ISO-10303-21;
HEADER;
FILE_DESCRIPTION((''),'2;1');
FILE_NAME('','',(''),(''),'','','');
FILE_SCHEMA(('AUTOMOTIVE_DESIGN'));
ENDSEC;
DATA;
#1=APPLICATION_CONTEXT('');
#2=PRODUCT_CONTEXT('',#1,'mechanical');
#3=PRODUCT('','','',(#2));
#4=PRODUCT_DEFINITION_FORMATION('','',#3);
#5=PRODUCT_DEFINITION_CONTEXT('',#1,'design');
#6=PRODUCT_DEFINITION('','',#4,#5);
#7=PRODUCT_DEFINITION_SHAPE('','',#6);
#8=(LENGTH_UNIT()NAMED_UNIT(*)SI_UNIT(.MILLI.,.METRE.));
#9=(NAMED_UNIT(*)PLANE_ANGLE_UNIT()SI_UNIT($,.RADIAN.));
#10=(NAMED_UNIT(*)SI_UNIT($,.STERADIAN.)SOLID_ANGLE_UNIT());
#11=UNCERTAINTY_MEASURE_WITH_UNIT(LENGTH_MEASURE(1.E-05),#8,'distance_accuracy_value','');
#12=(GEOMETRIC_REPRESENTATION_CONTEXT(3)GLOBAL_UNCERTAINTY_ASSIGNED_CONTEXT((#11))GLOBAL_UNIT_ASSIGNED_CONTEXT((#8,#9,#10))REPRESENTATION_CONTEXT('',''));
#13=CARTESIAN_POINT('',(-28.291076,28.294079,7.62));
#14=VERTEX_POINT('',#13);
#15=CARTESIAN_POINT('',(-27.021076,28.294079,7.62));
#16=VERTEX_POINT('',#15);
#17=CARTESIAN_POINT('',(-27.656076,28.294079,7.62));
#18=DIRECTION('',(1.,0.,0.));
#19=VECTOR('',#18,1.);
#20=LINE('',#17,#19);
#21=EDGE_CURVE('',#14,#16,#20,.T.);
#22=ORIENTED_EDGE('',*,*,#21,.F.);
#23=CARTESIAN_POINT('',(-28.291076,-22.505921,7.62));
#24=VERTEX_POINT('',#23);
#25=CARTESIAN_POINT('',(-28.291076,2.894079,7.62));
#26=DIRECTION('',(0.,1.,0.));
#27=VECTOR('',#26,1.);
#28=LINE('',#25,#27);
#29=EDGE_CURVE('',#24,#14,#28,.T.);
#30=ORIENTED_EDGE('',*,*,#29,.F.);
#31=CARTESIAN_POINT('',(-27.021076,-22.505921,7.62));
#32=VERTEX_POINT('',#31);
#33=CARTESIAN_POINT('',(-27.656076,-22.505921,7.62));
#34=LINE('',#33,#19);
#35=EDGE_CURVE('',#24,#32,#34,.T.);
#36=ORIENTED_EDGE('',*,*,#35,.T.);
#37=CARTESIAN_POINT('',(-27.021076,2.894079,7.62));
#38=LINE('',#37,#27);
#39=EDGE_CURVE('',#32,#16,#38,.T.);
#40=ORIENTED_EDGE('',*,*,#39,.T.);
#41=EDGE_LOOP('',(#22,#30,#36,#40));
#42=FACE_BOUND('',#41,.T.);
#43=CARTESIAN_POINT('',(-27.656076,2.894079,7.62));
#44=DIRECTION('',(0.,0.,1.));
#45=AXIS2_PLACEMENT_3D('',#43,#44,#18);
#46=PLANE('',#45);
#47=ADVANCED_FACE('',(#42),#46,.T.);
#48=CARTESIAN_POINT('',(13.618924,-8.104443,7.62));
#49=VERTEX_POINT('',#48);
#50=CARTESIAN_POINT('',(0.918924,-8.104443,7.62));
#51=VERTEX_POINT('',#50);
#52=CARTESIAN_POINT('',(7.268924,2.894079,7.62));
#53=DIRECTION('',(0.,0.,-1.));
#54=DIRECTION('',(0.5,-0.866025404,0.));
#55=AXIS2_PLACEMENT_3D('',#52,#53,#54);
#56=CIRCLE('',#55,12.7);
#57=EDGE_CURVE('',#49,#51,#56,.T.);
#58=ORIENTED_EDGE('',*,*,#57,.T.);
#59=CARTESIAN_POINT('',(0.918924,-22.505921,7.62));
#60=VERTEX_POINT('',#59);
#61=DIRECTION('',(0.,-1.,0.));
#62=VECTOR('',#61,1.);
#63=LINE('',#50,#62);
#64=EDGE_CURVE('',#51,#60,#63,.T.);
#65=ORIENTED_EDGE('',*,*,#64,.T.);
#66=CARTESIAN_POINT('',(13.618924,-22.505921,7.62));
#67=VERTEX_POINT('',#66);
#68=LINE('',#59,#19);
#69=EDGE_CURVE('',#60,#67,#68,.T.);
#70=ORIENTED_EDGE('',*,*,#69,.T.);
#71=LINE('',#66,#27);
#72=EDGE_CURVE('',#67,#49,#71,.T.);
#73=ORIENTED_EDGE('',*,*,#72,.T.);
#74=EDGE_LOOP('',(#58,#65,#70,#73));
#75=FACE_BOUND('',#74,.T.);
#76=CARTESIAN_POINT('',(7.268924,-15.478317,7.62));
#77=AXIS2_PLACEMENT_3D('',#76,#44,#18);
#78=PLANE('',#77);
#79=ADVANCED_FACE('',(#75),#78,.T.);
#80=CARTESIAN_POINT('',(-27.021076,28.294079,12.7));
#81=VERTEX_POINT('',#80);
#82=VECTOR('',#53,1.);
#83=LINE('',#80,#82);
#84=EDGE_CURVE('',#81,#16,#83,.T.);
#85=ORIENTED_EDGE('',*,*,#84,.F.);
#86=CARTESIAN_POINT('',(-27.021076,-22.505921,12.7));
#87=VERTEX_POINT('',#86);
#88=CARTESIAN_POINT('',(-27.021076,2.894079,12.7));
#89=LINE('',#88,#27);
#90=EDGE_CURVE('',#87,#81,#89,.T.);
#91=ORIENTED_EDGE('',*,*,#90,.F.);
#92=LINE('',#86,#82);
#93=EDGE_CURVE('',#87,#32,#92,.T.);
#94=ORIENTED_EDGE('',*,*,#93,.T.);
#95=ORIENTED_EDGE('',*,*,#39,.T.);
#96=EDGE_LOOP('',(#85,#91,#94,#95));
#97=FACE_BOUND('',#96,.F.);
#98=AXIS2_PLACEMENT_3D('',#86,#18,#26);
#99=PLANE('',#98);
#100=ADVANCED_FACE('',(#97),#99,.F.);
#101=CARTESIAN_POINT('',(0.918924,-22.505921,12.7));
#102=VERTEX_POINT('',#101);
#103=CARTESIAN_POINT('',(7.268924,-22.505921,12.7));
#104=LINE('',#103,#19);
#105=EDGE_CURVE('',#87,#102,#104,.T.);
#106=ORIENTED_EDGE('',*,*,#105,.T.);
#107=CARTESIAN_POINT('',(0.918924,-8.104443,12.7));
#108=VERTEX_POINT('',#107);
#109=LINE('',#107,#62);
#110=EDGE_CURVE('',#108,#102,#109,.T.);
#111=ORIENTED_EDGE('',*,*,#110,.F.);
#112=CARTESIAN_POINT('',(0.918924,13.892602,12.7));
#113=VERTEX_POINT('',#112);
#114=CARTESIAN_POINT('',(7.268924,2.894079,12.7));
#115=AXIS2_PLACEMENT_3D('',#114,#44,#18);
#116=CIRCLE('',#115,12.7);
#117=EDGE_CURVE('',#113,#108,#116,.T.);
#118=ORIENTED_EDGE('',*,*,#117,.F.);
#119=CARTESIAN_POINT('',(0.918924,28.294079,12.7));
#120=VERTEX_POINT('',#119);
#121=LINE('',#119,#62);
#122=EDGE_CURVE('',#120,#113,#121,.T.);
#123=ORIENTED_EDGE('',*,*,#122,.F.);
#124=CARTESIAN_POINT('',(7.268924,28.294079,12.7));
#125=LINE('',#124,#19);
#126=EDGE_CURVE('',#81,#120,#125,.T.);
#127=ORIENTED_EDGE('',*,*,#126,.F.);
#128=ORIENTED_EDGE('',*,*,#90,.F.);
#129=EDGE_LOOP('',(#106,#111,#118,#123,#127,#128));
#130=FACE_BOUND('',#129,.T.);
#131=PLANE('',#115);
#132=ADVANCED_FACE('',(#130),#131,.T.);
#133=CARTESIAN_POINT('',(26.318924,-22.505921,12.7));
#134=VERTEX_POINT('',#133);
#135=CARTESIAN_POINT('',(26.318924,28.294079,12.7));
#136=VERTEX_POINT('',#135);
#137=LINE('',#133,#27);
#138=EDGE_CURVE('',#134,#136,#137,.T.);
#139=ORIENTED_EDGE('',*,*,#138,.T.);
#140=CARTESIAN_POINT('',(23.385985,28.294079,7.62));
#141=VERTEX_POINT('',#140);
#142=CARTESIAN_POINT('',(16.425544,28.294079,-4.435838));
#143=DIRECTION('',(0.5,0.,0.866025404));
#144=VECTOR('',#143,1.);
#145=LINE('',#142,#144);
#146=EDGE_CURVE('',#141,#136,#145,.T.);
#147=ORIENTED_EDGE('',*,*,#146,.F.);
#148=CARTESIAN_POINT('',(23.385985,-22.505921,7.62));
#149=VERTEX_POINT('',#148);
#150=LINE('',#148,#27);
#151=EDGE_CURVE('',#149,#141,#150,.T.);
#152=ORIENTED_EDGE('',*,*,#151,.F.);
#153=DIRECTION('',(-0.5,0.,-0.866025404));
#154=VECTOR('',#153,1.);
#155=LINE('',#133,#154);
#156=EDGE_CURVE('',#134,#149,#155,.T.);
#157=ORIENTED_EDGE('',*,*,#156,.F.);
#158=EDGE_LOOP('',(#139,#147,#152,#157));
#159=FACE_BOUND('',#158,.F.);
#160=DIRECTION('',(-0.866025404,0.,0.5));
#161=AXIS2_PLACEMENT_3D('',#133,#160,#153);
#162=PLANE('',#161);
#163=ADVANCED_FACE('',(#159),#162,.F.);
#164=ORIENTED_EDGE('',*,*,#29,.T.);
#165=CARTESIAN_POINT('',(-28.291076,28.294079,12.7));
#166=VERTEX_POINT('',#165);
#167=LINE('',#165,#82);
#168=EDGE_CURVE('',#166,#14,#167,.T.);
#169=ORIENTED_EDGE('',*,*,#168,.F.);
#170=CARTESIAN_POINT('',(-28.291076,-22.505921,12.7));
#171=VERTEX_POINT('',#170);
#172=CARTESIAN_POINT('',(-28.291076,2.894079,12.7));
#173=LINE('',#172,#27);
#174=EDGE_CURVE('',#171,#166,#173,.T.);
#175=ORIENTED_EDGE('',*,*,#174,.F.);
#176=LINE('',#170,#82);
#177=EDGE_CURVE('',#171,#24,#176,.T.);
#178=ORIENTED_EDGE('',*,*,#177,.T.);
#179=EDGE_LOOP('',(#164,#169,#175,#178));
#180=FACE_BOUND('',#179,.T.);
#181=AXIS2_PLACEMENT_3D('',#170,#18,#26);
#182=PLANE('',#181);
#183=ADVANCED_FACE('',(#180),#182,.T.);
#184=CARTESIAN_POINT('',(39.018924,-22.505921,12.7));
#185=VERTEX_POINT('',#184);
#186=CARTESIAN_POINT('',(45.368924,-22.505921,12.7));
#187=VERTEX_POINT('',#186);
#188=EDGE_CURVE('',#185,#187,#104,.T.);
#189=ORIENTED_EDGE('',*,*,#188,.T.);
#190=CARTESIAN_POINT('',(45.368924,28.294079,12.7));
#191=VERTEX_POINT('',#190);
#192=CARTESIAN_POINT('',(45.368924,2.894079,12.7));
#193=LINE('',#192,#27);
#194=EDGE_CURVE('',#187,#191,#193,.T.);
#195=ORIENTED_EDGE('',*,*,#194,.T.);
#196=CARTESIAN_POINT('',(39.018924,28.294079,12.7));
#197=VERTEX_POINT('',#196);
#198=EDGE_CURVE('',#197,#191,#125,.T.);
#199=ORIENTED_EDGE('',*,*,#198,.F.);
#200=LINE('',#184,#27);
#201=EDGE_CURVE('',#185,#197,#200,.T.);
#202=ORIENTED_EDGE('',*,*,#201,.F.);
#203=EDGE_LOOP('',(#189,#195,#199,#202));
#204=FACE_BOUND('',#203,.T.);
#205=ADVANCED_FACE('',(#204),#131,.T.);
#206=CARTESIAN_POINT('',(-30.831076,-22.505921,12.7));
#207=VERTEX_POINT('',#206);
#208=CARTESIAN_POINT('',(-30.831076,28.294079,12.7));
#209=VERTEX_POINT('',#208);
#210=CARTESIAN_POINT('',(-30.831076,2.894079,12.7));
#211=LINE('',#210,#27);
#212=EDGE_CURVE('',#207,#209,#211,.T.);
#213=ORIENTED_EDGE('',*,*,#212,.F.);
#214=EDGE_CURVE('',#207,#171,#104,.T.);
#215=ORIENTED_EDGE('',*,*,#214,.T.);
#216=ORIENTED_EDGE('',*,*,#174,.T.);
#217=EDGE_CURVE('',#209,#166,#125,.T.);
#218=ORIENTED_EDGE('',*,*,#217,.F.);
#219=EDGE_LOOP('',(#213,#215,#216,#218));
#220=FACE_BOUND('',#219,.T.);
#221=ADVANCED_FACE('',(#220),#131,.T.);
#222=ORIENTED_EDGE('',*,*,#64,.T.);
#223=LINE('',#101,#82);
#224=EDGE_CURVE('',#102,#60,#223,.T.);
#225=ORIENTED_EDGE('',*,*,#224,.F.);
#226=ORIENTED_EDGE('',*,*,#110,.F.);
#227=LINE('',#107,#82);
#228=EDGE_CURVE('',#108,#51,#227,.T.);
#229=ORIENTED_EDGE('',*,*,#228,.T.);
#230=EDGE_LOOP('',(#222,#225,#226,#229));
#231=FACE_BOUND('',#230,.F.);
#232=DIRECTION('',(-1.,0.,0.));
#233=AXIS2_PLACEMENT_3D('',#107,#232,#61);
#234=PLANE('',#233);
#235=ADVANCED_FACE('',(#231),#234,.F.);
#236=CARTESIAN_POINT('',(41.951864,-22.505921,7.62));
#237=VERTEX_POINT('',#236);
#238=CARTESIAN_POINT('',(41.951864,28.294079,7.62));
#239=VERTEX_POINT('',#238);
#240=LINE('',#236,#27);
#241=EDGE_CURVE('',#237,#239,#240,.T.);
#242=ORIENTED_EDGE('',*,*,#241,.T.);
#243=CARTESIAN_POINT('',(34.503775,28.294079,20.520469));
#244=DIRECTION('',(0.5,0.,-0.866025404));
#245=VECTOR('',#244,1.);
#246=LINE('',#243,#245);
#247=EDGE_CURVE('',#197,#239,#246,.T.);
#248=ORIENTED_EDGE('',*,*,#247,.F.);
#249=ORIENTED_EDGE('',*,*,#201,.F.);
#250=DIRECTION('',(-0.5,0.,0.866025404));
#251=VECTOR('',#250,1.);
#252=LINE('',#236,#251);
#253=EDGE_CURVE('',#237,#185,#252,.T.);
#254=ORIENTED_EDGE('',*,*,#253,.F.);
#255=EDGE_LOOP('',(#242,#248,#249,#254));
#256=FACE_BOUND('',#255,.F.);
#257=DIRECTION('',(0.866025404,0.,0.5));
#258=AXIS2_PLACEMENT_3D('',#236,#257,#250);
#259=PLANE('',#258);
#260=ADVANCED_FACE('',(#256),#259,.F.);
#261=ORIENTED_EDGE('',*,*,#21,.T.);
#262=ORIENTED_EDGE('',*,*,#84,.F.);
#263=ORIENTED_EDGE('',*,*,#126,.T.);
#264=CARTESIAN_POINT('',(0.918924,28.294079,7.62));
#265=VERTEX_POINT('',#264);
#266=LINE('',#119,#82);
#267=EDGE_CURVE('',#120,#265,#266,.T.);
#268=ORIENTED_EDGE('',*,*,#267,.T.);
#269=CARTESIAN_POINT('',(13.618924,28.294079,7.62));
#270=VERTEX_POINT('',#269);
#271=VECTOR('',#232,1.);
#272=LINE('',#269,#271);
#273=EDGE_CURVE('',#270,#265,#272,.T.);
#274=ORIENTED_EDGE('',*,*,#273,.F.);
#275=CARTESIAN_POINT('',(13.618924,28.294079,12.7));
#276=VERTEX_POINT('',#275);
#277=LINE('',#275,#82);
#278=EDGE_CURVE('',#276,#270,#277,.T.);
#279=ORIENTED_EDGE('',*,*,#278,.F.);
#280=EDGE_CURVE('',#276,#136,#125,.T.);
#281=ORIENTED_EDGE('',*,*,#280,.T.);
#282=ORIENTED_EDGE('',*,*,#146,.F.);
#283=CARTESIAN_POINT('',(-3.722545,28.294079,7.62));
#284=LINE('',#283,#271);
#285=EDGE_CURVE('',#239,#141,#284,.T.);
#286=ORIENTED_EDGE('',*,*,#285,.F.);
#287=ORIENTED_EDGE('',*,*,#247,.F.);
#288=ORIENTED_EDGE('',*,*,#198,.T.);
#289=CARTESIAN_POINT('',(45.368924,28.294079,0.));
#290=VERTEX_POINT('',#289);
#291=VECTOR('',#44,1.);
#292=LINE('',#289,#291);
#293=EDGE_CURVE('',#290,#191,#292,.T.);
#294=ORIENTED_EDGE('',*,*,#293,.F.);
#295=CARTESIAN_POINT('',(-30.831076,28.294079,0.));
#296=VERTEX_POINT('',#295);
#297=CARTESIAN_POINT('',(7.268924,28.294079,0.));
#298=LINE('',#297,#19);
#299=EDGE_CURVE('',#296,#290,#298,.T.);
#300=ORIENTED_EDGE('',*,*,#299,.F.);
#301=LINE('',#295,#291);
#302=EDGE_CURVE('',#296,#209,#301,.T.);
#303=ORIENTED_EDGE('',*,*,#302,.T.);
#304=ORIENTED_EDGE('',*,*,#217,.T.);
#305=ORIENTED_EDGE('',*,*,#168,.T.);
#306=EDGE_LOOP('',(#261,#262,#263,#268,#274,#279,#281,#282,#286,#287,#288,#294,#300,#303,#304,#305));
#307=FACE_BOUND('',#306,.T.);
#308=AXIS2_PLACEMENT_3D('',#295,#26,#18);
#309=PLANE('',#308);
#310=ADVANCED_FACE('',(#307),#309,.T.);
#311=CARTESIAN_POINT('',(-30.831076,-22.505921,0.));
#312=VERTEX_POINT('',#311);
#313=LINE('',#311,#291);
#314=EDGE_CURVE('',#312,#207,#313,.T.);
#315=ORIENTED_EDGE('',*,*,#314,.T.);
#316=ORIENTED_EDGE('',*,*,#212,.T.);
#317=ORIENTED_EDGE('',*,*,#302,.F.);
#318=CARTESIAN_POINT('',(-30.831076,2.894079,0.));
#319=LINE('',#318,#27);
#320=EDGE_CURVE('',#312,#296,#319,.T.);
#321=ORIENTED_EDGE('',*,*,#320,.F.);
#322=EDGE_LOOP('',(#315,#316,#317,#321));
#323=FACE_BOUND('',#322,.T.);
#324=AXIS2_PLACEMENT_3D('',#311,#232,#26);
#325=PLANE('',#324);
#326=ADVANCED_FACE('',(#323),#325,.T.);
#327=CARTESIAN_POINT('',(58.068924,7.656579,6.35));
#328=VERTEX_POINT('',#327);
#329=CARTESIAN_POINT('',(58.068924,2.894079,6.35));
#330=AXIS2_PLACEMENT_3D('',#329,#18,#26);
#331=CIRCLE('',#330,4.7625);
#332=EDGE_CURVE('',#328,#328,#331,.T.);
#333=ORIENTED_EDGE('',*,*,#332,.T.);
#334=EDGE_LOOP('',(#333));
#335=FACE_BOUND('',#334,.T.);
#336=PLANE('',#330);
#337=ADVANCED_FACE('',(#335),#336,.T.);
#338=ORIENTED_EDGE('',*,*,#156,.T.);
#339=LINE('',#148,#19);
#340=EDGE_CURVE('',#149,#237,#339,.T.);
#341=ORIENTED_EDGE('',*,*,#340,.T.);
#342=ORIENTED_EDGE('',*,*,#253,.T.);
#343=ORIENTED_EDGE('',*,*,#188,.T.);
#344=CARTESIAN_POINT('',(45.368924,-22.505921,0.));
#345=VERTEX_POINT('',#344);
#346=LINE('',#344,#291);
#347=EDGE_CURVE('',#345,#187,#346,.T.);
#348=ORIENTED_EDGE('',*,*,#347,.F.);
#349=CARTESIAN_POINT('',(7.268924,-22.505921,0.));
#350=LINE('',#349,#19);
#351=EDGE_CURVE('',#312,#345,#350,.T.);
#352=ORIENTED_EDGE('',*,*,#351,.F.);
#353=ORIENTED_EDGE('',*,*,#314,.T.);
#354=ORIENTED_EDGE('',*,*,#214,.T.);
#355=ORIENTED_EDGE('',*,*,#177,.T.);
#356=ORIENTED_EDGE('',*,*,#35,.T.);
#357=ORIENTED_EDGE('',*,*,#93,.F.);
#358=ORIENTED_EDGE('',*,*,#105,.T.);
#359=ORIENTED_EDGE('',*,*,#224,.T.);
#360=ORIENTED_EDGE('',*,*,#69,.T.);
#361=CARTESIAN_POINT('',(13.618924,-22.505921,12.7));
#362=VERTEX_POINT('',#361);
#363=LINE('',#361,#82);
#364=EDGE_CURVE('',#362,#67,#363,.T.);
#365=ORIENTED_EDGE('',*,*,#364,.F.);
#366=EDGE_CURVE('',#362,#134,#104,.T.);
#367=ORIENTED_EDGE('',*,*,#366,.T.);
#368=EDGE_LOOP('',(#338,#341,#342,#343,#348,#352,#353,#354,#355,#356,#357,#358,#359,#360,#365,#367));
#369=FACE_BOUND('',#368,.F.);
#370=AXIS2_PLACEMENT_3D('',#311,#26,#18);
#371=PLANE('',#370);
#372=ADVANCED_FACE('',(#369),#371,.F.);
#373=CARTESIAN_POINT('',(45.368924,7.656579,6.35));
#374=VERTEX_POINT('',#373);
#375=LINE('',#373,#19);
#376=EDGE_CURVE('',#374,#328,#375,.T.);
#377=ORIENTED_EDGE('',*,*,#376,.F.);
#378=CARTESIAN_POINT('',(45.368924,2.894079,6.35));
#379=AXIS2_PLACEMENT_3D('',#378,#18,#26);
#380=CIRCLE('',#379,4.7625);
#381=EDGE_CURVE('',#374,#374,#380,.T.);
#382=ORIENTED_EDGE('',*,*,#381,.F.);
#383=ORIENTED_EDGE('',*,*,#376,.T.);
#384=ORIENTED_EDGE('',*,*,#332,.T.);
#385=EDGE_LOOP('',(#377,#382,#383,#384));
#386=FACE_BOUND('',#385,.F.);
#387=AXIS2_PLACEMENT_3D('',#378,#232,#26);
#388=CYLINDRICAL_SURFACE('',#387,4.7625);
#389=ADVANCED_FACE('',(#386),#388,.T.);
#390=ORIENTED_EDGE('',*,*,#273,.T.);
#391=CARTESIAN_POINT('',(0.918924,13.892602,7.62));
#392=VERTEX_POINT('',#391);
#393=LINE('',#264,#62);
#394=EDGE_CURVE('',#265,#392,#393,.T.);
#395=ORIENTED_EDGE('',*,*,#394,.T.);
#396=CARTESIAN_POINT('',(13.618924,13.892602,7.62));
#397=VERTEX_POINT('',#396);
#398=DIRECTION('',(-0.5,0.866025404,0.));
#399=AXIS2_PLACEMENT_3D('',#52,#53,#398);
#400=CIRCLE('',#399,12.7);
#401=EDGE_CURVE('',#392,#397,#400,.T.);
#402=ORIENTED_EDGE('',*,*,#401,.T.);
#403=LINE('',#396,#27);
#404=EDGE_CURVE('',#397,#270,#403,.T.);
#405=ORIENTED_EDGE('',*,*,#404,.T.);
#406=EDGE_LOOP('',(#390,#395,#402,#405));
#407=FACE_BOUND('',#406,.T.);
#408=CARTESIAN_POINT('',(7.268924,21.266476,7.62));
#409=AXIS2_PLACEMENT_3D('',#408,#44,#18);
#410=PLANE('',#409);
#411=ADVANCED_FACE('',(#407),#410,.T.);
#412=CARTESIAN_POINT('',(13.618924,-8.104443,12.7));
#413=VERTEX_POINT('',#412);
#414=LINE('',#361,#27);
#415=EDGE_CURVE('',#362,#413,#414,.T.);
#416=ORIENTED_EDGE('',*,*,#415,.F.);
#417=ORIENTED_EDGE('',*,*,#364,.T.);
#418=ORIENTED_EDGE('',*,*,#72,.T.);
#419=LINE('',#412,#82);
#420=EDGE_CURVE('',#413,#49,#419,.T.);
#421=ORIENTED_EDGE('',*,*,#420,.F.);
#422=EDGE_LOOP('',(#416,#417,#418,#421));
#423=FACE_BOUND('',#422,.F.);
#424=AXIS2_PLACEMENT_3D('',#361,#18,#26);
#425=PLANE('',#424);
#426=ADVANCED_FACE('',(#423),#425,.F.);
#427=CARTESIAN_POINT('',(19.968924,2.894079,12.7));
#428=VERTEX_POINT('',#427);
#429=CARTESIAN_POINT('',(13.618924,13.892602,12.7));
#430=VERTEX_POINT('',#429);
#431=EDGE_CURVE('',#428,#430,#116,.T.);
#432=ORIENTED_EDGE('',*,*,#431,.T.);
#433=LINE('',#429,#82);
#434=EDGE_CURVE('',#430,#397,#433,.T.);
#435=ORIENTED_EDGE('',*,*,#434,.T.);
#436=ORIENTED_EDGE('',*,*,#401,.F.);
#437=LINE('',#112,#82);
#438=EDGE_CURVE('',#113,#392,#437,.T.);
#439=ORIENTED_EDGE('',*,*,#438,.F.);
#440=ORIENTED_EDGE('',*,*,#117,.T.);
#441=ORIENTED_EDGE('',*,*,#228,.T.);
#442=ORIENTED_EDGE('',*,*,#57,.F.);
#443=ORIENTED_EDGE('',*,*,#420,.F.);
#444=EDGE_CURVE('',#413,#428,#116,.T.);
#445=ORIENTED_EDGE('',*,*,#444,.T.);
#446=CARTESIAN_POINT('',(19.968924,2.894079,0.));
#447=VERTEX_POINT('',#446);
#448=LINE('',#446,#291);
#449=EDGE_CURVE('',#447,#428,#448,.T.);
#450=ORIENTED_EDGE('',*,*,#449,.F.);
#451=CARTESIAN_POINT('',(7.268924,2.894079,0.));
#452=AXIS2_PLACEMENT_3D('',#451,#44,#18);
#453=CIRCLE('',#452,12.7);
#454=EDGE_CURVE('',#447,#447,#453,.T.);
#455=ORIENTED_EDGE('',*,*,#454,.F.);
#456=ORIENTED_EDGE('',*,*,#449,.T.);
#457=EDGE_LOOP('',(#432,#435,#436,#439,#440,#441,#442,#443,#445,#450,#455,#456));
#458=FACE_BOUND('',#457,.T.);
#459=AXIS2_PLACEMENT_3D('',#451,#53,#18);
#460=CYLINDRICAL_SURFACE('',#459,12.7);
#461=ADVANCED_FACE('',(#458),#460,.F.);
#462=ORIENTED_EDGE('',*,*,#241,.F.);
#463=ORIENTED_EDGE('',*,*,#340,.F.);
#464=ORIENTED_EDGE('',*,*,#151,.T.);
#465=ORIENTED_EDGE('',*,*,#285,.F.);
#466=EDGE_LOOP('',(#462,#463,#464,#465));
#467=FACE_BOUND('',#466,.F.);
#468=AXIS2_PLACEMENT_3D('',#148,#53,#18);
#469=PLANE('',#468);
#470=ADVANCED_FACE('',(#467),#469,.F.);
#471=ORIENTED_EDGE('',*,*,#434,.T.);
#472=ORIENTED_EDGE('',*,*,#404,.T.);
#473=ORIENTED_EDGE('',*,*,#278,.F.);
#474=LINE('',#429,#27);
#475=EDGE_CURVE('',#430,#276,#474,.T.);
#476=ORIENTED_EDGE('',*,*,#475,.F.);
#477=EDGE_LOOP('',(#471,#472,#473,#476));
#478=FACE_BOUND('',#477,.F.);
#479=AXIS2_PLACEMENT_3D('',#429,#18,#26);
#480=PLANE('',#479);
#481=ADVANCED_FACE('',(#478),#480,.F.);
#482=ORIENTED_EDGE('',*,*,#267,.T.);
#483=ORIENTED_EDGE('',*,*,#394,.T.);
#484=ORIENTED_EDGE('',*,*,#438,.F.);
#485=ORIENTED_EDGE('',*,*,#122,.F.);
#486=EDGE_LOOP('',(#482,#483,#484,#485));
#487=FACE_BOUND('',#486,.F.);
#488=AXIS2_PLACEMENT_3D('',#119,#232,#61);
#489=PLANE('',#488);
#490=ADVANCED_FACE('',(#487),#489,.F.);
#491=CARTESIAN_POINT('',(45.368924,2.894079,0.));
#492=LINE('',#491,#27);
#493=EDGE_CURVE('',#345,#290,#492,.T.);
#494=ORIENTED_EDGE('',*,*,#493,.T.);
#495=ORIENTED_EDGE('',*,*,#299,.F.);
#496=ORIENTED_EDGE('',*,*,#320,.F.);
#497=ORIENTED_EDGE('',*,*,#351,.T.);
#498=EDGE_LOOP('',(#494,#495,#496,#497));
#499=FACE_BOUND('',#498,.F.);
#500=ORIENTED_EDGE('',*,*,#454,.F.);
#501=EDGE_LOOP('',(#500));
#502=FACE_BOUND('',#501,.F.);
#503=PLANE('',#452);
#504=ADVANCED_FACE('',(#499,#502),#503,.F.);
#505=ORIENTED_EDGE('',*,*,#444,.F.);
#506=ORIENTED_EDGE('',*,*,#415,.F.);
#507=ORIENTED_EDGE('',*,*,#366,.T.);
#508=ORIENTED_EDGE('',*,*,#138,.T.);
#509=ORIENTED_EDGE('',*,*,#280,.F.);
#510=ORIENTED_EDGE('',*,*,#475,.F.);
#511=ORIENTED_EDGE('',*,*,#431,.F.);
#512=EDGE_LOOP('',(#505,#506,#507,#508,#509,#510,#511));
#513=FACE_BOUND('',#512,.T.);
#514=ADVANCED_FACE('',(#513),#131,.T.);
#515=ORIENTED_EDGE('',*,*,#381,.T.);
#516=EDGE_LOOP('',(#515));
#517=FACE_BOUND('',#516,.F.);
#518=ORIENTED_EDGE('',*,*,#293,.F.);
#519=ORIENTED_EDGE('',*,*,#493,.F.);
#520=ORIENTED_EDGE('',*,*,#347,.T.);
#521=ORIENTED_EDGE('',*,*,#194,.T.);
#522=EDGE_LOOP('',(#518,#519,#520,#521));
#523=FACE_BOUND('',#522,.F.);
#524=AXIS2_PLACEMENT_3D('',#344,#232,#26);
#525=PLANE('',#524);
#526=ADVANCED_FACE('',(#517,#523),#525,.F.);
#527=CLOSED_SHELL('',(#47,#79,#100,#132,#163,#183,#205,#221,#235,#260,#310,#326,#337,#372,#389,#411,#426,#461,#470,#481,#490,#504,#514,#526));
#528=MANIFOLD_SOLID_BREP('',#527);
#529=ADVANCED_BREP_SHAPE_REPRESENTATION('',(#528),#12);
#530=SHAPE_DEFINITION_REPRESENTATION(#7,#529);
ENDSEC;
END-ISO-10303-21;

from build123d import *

# Parameters (mm, degrees)
F0_W     = 76.2
F0_H     = 50.8
F0_R     = 12.7
F1_DEPTH = 12.7
F2_W     = 1.27
F2_H     = 50.8
F3_DEPTH = 5.08
F5_DEPTH = 50.801
F6_R     = 4.7625
F7_DEPTH = 12.7


with BuildPart() as f1:
    # F0 (on Top) → F1 (new body)
    with BuildSketch(Plane.XY):
        with Locations((7.2689242661, 2.8940794703)):
            Rectangle(F0_W, F0_H)
        with Locations((7.2689242661, 2.8940794703)):
            Circle(F0_R, mode=Mode.SUBTRACT)
    extrude(amount=F1_DEPTH)

    # F2 (on face) → F3 (cut)
    with BuildSketch(Plane.XY.offset(12.7)):
        with BuildLine():
            Line((7.2689242661, 28.2940794703), (0.9189242661, 28.2940794703))
            Line((0.9189242661, 28.2940794703), (0.9189242661, 13.8926020983))
            ThreePointArc((0.9189242661, 13.8926020983), (7.2689242661, 15.5940794703), (13.6189242661, 13.8926020983))
            Line((13.6189242661, 13.8926020983), (13.6189242661, 28.2940794703))
            Line((13.6189242661, 28.2940794703), (7.2689242661, 28.2940794703))
        make_face()
        with BuildLine():
            Line((0.9189242661, -8.1044431578), (0.9189242661, -22.5059205297))
            Line((0.9189242661, -22.5059205297), (13.6189242661, -22.5059205297))
            Line((13.6189242661, -22.5059205297), (13.6189242661, -8.1044431578))
            ThreePointArc((13.6189242661, -8.1044431578), (7.2689242661, -9.8059205297), (0.9189242661, -8.1044431578))
        make_face()
        with Locations((-27.6560757339, 2.8940794703)):
            Rectangle(F2_W, F2_H)
    extrude(amount=-F3_DEPTH, mode=Mode.SUBTRACT)

    # F4 (on face) → F5 (cut, through all)
    with BuildSketch(Plane.XZ.offset(22.5059205297)):
        Polygon((39.0189242661, 12.7), (26.3189242661, 12.7), (23.3859848986, 7.62), (32.6689242661, 7.62), (41.9518636336, 7.62), align=None)
    extrude(amount=-F5_DEPTH, mode=Mode.SUBTRACT)

    # F6 (on face) → F7 (join)
    with BuildSketch(Plane.YZ.offset(45.3689242661)):
        with Locations((2.8940794703, 6.35)):
            Circle(F6_R)
    extrude(amount=F7_DEPTH)


solid = f1.part
